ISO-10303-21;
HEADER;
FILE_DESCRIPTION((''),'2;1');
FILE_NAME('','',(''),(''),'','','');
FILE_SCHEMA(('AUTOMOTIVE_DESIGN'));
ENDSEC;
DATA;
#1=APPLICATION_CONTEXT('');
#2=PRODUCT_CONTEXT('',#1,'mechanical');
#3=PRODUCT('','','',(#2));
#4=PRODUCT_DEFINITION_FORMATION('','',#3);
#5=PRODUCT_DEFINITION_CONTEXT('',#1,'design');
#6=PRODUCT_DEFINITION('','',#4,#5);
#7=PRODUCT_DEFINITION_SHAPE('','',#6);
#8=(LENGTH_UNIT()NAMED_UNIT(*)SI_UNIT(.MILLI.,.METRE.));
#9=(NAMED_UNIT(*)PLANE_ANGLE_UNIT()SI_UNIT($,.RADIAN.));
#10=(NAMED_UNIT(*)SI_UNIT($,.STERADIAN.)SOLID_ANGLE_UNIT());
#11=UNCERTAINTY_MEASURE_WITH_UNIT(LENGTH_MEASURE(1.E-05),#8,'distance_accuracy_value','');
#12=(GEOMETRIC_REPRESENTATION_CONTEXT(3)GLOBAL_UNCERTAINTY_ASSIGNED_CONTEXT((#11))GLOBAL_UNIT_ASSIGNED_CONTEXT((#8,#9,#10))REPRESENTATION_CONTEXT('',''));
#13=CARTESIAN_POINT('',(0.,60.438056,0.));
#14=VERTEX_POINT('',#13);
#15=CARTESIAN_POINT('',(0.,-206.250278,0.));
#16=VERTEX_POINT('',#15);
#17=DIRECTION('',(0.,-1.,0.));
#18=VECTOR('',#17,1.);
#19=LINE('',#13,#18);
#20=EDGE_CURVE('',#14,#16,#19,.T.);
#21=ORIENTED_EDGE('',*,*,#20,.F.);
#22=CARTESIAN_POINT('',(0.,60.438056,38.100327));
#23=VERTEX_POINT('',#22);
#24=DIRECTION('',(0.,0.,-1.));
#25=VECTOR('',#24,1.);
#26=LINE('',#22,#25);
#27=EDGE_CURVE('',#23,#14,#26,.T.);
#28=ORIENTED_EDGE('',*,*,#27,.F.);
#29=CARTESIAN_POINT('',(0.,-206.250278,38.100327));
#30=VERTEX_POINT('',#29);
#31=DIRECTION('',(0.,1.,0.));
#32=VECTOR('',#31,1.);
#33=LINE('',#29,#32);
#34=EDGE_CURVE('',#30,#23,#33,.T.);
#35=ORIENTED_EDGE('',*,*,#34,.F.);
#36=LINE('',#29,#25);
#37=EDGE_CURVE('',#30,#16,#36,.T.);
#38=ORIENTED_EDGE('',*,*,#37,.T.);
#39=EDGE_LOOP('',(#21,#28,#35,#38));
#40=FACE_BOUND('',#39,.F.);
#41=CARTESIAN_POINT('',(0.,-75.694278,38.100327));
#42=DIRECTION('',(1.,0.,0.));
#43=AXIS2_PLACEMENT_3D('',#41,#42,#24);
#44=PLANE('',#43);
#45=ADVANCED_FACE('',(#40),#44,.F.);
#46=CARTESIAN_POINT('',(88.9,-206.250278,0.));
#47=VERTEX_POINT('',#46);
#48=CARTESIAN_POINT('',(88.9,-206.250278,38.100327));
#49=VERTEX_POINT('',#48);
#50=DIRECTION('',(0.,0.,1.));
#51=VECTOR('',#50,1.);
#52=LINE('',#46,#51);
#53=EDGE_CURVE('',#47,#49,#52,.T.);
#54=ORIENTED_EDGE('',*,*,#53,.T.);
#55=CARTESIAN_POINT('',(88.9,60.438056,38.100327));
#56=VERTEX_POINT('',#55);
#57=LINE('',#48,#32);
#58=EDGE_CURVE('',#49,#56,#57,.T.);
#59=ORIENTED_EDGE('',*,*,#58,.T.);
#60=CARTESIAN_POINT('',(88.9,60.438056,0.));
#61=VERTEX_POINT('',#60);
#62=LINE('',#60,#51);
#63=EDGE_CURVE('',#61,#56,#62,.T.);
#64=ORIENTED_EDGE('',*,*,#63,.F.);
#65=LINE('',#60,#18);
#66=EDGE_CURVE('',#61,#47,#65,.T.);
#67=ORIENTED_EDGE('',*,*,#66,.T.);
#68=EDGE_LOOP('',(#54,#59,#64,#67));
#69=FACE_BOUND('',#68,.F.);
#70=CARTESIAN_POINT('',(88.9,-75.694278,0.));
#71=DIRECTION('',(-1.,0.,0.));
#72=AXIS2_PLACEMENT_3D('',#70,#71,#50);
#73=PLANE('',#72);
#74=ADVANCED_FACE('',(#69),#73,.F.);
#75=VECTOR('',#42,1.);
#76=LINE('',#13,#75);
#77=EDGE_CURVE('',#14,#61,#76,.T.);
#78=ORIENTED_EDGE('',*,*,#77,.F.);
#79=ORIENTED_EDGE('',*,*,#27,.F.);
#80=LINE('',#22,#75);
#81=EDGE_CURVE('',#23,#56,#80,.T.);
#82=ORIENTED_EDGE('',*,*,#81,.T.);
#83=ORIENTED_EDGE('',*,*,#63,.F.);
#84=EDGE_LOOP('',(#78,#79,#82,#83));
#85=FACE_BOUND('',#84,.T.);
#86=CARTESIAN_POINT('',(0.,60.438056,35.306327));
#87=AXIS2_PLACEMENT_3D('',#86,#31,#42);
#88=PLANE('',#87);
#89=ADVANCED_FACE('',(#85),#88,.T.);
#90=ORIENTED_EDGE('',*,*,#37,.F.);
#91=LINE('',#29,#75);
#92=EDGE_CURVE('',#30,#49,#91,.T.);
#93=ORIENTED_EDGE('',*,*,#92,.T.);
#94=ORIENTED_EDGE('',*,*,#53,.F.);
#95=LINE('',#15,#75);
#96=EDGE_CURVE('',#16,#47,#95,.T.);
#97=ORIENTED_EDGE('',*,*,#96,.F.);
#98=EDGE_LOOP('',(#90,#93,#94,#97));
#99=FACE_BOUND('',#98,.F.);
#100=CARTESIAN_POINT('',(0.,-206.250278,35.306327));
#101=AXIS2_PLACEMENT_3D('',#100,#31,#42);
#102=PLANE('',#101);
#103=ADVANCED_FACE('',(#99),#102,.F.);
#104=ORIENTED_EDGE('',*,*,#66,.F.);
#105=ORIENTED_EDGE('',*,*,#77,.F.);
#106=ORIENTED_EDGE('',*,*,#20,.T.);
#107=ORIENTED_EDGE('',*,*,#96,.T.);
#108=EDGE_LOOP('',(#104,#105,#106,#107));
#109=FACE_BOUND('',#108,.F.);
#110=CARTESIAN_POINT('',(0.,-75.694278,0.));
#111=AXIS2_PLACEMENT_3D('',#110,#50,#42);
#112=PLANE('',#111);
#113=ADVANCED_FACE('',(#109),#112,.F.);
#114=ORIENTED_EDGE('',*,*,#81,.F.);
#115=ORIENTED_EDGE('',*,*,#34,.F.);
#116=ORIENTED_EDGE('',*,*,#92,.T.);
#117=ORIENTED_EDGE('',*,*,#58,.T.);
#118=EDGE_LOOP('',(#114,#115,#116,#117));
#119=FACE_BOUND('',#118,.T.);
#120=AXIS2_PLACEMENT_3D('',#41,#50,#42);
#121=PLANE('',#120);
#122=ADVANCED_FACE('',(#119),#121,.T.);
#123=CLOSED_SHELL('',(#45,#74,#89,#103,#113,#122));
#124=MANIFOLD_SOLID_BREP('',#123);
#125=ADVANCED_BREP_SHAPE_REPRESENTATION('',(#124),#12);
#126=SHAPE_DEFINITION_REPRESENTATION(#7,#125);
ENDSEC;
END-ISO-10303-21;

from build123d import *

# Parameters (mm, degrees)
F0_W     = 136.1323334277
F0_H     = 35.306327045
F1_DEPTH = 88.9
F2_DEPTH = 2.794
F3_DEPTH = 130.556


with BuildPart() as f1:
    # F0 (on Right) → F1 (new body)
    with BuildSketch(Plane.YZ):
        with Locations((-7.6281111687, 17.6531635225)):
            Rectangle(F0_W, F0_H)
    extrude(amount=F1_DEPTH)

    # F2 (add): a face of the model
    f2_faces = [f1.faces().sort_by_distance(p)[0] for p in [
        (44.45, -7.6281111687, 35.306327045),
    ]]
    extrude(f2_faces, amount=F2_DEPTH)

    # F3 (add): a face of the model
    f3_faces = [f1.faces().sort_by_distance(p)[0] for p in [
        (44.45, -75.6942778826, 19.0501635225),
    ]]
    extrude(f3_faces, amount=F3_DEPTH)


solid = f1.part
